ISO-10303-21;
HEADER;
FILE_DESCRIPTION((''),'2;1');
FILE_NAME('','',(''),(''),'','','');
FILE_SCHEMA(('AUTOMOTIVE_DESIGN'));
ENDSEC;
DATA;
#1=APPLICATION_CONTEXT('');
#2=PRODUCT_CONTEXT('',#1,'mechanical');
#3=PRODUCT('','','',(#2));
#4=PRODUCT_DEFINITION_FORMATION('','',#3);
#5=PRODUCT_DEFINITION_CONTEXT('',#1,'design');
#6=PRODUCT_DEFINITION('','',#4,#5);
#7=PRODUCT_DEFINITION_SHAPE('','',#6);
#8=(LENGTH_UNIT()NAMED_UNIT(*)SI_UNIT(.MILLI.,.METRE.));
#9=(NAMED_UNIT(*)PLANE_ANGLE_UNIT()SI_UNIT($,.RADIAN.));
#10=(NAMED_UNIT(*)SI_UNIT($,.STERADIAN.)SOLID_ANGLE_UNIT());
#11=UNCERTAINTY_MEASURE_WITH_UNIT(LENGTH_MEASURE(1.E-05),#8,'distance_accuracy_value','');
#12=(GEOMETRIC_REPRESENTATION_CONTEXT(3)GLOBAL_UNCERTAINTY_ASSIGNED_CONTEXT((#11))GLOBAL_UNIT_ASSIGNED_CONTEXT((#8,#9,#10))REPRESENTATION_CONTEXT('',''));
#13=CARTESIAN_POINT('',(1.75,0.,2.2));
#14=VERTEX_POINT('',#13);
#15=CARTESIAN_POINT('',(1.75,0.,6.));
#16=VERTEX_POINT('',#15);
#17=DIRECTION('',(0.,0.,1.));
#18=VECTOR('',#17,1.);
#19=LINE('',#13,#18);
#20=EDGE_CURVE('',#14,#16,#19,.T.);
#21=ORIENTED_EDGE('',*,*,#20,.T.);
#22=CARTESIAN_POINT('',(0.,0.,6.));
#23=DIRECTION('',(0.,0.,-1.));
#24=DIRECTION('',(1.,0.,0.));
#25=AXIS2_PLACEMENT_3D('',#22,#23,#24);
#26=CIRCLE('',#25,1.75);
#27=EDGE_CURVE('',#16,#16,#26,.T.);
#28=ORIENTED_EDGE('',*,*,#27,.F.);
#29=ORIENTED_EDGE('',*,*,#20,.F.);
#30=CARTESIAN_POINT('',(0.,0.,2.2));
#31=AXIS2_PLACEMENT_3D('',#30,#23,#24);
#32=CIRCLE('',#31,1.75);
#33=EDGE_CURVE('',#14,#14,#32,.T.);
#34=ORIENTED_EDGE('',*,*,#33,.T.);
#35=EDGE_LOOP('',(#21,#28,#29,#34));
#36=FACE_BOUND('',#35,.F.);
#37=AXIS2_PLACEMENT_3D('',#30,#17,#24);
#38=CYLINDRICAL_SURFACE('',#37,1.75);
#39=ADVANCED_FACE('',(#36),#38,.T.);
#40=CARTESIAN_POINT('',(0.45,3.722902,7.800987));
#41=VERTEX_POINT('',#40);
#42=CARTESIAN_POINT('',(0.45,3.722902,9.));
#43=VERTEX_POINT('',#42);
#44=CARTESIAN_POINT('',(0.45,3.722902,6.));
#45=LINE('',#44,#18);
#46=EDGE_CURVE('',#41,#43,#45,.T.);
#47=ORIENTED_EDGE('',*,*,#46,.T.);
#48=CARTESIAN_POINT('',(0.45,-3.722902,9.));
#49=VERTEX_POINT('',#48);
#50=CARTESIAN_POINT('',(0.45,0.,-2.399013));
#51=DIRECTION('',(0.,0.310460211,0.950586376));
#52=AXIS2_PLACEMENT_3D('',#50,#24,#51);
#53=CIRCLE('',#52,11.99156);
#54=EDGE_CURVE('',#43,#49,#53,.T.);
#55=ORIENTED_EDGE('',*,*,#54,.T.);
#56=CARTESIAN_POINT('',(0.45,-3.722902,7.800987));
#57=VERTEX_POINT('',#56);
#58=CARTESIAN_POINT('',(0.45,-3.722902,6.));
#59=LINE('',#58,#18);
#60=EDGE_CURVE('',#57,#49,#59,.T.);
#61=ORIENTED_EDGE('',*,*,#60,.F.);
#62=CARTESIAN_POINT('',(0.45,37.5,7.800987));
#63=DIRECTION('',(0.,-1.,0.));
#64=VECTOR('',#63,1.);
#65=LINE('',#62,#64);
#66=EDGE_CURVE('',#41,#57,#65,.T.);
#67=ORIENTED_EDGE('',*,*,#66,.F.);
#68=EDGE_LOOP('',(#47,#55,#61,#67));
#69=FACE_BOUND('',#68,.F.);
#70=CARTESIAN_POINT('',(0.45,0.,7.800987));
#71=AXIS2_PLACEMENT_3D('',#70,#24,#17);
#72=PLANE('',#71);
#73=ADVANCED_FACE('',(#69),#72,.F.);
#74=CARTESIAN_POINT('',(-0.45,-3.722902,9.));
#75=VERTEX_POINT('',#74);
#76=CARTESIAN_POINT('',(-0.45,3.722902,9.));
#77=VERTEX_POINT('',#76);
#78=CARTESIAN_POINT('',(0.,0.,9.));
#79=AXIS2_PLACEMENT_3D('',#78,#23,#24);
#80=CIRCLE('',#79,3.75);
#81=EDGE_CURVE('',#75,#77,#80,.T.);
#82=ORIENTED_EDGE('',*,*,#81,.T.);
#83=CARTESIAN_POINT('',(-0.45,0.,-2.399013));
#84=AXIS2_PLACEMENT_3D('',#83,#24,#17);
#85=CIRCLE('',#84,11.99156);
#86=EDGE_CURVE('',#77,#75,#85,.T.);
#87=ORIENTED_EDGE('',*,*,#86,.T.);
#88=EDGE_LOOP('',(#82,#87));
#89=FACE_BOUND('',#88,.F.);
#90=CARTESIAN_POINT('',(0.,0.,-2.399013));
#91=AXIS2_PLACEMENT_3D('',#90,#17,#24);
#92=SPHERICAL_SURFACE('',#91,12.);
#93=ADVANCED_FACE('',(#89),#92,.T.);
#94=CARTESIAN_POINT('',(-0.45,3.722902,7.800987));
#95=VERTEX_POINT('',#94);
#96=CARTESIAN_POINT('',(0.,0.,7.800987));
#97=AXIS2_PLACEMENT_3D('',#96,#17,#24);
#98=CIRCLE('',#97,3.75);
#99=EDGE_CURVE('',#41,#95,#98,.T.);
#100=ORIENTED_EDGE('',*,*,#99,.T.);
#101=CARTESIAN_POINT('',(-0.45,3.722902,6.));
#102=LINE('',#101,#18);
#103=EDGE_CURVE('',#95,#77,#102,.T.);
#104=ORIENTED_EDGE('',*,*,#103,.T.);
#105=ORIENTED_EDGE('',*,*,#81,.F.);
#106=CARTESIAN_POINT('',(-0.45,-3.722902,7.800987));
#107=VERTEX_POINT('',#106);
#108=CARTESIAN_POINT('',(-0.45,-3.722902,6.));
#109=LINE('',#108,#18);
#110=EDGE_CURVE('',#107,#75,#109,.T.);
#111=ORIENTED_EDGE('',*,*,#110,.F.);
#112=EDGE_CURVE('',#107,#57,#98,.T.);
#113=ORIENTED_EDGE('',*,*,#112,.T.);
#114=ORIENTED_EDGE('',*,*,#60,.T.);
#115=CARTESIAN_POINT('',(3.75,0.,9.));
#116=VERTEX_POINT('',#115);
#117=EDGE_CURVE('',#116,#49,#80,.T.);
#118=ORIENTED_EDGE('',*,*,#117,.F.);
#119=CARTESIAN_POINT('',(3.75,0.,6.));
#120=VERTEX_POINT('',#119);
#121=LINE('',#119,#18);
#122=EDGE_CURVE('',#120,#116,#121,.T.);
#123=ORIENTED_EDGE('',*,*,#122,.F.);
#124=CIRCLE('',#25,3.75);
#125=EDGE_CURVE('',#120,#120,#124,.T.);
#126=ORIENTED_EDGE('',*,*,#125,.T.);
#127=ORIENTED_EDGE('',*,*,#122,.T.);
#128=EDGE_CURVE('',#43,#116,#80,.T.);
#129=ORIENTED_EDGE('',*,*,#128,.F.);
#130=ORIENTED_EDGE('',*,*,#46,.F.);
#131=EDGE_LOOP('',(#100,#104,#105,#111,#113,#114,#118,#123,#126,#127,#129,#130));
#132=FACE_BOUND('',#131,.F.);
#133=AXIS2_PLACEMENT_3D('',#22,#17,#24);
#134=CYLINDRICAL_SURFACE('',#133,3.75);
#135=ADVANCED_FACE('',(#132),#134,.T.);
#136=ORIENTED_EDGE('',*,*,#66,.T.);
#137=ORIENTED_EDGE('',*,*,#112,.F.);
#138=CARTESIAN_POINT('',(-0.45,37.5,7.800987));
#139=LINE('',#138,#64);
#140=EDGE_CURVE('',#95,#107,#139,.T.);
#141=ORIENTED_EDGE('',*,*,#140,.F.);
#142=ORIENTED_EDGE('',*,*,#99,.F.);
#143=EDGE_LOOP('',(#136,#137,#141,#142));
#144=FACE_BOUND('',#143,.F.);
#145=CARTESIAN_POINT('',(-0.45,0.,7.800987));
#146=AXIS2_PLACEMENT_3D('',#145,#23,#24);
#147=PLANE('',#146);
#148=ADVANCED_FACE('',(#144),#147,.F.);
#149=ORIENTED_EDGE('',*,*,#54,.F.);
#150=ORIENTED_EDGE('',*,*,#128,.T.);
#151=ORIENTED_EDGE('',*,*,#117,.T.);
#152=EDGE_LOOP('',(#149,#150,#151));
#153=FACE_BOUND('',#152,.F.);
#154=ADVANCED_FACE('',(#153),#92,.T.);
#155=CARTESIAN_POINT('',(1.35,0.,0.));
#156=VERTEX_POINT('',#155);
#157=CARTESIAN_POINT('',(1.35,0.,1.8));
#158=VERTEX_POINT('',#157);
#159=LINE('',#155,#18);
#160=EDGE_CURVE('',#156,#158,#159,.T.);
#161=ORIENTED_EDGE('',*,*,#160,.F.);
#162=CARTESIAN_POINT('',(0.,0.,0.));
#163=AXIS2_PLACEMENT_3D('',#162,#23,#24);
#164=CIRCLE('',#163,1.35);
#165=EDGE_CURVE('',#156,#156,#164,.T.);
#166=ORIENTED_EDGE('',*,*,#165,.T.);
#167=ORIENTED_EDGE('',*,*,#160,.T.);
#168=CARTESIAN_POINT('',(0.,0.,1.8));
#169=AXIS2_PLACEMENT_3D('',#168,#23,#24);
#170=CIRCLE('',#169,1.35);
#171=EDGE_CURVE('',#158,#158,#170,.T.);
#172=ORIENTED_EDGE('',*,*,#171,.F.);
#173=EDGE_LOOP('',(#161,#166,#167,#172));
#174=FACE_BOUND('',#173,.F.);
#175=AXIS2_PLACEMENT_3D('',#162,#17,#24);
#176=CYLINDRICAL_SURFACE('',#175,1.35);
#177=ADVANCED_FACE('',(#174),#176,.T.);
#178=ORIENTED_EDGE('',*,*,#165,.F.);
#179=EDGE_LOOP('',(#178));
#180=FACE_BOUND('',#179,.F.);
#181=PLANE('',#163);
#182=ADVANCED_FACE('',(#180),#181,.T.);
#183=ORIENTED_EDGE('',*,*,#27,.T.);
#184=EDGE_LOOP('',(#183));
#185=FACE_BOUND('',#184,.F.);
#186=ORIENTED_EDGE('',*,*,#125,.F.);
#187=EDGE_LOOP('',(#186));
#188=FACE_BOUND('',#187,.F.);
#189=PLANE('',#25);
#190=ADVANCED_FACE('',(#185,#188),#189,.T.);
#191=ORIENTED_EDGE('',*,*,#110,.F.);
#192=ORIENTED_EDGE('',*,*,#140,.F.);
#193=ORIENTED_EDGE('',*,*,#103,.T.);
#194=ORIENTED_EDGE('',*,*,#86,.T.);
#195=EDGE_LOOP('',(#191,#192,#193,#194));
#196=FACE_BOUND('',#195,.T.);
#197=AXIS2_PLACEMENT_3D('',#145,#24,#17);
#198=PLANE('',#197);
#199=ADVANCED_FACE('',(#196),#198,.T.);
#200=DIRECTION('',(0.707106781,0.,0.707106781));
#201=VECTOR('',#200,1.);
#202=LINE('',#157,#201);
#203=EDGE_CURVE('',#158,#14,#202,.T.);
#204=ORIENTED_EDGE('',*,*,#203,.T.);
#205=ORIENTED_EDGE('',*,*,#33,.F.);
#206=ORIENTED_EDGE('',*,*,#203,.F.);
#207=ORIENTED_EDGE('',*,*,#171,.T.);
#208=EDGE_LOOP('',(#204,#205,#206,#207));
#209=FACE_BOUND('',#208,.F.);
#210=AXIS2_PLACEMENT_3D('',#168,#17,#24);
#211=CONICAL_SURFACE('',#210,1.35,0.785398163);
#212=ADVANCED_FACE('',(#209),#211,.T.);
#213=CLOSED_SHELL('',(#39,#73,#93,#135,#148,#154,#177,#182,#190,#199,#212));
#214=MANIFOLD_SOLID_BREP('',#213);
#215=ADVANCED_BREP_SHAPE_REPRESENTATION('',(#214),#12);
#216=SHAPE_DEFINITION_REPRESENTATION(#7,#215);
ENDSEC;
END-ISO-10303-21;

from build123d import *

# Parameters (mm, degrees)
F2_W     = 0.3
F2_H     = 0.65
F3_DEPTH = 12.5
F4_SCALE = 3


with BuildPart() as f1:
    # F0 (on Front) → F1 (revolve)
    with BuildSketch(Plane.XZ):
        Polygon((0, 3), (0, 0), (0.45, 0), (0.45, 0.6), (0.5833333333, 0.7333333333), (0.5833333333, 2), (1.25, 2), (1.25, 3), align=None)
        with BuildLine():
            Line((0, 3.2003289616), (0, 3))
            Line((0, 3), (1.25, 3))
            ThreePointArc((1.25, 3), (0.6329754523, 3.1499292043), (0, 3.2003289616))
        make_face()
    revolve(axis=Axis((0, 0, 1.5), (0, 0, -1)))

    # F2 (on Front) → F3 (cut, symmetric)
    with BuildSketch(Plane.XZ):
        with Locations((0, 2.9253289616)):
            Rectangle(F2_W, F2_H)
    extrude(amount=F3_DEPTH, both=True, mode=Mode.SUBTRACT)


with BuildPart() as f1_1:
    # F4: moved
    add(f1.part.scale(F4_SCALE))


solid = f1_1.part
